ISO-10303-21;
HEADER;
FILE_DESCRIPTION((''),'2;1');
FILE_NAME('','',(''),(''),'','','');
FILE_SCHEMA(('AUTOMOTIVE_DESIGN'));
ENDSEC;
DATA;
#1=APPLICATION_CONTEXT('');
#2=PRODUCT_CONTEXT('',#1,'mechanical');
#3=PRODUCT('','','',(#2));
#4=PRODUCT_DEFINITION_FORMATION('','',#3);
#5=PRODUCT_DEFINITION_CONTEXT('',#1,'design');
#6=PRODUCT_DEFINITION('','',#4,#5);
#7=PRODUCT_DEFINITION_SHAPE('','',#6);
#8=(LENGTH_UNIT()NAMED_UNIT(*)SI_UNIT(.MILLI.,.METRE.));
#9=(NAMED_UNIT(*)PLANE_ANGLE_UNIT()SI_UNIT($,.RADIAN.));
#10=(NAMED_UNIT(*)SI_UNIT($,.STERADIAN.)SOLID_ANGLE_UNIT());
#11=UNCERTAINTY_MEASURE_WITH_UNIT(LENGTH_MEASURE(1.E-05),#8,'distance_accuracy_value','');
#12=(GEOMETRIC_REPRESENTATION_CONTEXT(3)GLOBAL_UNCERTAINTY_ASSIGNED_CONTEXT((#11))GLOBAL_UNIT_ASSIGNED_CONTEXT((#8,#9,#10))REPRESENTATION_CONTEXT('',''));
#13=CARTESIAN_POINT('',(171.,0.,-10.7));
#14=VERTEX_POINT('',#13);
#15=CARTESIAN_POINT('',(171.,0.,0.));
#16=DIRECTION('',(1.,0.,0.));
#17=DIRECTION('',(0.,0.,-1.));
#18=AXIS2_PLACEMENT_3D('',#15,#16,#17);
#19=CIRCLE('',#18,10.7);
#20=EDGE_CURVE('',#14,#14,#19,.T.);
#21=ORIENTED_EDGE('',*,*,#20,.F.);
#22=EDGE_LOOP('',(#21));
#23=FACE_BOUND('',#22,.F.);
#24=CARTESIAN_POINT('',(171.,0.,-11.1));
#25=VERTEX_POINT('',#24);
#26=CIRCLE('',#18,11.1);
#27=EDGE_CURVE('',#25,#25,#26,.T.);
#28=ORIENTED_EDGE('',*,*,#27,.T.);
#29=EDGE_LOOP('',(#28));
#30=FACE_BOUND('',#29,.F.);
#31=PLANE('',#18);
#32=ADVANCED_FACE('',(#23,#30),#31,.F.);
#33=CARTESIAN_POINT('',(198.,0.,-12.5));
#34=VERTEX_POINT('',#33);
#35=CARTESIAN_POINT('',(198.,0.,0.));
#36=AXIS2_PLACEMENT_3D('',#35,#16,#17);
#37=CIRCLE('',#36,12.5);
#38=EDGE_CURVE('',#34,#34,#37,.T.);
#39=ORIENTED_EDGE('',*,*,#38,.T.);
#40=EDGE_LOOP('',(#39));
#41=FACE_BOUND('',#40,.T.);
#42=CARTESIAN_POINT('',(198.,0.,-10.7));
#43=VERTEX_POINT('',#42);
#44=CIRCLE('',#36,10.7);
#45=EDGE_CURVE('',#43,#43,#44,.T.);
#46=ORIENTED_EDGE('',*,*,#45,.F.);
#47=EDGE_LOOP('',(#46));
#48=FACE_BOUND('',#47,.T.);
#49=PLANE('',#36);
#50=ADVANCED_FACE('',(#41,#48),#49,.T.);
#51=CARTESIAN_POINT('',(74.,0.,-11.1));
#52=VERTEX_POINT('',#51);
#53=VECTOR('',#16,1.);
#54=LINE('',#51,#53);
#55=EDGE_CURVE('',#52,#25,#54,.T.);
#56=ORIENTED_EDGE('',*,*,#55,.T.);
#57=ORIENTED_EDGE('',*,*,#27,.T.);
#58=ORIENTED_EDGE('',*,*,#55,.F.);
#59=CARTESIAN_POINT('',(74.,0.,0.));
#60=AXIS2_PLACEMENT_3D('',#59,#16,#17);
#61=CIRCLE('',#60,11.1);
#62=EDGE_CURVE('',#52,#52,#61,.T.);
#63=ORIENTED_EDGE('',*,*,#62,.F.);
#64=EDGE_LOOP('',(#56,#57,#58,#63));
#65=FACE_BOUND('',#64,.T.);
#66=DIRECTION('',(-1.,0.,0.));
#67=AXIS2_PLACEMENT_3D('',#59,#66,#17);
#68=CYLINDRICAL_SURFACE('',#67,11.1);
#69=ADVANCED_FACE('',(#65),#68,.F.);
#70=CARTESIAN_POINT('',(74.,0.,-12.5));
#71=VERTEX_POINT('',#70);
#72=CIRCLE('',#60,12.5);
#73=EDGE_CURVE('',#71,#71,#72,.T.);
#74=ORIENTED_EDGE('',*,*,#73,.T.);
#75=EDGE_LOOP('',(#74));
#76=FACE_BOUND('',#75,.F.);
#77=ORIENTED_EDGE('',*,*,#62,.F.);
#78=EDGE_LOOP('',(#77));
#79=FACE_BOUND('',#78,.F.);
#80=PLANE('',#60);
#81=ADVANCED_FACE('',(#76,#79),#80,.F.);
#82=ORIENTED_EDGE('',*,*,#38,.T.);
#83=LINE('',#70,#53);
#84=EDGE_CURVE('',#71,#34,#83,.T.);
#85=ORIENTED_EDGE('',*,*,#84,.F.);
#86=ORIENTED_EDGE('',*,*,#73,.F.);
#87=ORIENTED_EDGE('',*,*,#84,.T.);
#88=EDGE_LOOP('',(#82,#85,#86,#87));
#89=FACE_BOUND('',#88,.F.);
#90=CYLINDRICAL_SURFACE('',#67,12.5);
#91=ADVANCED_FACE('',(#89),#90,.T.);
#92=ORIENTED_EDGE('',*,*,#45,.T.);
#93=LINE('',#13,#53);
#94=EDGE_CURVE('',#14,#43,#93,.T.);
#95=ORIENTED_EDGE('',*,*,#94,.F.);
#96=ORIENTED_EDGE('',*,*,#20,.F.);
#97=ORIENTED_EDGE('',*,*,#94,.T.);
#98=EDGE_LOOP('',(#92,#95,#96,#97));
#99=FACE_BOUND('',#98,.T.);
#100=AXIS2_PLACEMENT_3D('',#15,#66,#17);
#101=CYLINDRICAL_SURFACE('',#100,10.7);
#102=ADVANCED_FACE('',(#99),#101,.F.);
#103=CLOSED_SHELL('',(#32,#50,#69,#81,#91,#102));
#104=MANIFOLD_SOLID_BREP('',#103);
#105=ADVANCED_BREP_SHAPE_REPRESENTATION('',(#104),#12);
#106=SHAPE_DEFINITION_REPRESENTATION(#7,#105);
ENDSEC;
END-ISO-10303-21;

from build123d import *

# Parameters (mm, degrees)
CYLINDER004_R           = 10.7
CYLINDER004_DEPTH       = 27
CYLINDER004_PITCH_ANGLE = 90
CYLINDER003_R           = 11.1
CYLINDER003_DEPTH       = 97
CYLINDER003_PITCH_ANGLE = 90
CYLINDER002_R           = 12.5
CYLINDER002_DEPTH       = 124
CYLINDER002_PITCH_ANGLE = 90


with BuildPart() as cylinder002:
    # Cylinder004 → Cylinder004 (new body)
    with BuildSketch(Plane.XY):
        Circle(CYLINDER004_R)
    extrude(amount=CYLINDER004_DEPTH)


with BuildPart() as cylinder002_1:
    # Cylinder004 pitch: moved
    add(cylinder002.part.rotate(Axis((0, 0, 0), (0, 1, 0)), CYLINDER004_PITCH_ANGLE))


with BuildPart() as cylinder002_2:
    # Cylinder004 placement: moved
    add(cylinder002_1.part.moved(Location((171, 0, 0))))


with BuildPart() as cylinder001:
    # Cylinder003 → Cylinder003 (new body)
    with BuildSketch(Plane.XY):
        Circle(CYLINDER003_R)
    extrude(amount=CYLINDER003_DEPTH)


with BuildPart() as cylinder001_1:
    # Cylinder003 pitch: moved
    add(cylinder001.part.rotate(Axis((0, 0, 0), (0, 1, 0)), CYLINDER003_PITCH_ANGLE))


with BuildPart() as cylinder001_2:
    # Cylinder003 placement: moved
    add(cylinder001_1.part.moved(Location((74, 0, 0))))


with BuildPart() as batteryholder:
    # Cylinder002 → Cylinder002 (new body)
    with BuildSketch(Plane.XY):
        Circle(CYLINDER002_R)
    extrude(amount=CYLINDER002_DEPTH)


with BuildPart() as batteryholder_1:
    # Cylinder002 pitch: moved
    add(batteryholder.part.rotate(Axis((0, 0, 0), (0, 1, 0)), CYLINDER002_PITCH_ANGLE))


with BuildPart() as batteryholder_2:
    # Cylinder002 placement: moved
    add(batteryholder_1.part.moved(Location((74, 0, 0))))

    # Cut001: cut Cylinder001
    add(cylinder001_2.part, mode=Mode.SUBTRACT)

    # Cut002: cut Cylinder002
    add(cylinder002_2.part, mode=Mode.SUBTRACT)


solid = batteryholder_2.part
